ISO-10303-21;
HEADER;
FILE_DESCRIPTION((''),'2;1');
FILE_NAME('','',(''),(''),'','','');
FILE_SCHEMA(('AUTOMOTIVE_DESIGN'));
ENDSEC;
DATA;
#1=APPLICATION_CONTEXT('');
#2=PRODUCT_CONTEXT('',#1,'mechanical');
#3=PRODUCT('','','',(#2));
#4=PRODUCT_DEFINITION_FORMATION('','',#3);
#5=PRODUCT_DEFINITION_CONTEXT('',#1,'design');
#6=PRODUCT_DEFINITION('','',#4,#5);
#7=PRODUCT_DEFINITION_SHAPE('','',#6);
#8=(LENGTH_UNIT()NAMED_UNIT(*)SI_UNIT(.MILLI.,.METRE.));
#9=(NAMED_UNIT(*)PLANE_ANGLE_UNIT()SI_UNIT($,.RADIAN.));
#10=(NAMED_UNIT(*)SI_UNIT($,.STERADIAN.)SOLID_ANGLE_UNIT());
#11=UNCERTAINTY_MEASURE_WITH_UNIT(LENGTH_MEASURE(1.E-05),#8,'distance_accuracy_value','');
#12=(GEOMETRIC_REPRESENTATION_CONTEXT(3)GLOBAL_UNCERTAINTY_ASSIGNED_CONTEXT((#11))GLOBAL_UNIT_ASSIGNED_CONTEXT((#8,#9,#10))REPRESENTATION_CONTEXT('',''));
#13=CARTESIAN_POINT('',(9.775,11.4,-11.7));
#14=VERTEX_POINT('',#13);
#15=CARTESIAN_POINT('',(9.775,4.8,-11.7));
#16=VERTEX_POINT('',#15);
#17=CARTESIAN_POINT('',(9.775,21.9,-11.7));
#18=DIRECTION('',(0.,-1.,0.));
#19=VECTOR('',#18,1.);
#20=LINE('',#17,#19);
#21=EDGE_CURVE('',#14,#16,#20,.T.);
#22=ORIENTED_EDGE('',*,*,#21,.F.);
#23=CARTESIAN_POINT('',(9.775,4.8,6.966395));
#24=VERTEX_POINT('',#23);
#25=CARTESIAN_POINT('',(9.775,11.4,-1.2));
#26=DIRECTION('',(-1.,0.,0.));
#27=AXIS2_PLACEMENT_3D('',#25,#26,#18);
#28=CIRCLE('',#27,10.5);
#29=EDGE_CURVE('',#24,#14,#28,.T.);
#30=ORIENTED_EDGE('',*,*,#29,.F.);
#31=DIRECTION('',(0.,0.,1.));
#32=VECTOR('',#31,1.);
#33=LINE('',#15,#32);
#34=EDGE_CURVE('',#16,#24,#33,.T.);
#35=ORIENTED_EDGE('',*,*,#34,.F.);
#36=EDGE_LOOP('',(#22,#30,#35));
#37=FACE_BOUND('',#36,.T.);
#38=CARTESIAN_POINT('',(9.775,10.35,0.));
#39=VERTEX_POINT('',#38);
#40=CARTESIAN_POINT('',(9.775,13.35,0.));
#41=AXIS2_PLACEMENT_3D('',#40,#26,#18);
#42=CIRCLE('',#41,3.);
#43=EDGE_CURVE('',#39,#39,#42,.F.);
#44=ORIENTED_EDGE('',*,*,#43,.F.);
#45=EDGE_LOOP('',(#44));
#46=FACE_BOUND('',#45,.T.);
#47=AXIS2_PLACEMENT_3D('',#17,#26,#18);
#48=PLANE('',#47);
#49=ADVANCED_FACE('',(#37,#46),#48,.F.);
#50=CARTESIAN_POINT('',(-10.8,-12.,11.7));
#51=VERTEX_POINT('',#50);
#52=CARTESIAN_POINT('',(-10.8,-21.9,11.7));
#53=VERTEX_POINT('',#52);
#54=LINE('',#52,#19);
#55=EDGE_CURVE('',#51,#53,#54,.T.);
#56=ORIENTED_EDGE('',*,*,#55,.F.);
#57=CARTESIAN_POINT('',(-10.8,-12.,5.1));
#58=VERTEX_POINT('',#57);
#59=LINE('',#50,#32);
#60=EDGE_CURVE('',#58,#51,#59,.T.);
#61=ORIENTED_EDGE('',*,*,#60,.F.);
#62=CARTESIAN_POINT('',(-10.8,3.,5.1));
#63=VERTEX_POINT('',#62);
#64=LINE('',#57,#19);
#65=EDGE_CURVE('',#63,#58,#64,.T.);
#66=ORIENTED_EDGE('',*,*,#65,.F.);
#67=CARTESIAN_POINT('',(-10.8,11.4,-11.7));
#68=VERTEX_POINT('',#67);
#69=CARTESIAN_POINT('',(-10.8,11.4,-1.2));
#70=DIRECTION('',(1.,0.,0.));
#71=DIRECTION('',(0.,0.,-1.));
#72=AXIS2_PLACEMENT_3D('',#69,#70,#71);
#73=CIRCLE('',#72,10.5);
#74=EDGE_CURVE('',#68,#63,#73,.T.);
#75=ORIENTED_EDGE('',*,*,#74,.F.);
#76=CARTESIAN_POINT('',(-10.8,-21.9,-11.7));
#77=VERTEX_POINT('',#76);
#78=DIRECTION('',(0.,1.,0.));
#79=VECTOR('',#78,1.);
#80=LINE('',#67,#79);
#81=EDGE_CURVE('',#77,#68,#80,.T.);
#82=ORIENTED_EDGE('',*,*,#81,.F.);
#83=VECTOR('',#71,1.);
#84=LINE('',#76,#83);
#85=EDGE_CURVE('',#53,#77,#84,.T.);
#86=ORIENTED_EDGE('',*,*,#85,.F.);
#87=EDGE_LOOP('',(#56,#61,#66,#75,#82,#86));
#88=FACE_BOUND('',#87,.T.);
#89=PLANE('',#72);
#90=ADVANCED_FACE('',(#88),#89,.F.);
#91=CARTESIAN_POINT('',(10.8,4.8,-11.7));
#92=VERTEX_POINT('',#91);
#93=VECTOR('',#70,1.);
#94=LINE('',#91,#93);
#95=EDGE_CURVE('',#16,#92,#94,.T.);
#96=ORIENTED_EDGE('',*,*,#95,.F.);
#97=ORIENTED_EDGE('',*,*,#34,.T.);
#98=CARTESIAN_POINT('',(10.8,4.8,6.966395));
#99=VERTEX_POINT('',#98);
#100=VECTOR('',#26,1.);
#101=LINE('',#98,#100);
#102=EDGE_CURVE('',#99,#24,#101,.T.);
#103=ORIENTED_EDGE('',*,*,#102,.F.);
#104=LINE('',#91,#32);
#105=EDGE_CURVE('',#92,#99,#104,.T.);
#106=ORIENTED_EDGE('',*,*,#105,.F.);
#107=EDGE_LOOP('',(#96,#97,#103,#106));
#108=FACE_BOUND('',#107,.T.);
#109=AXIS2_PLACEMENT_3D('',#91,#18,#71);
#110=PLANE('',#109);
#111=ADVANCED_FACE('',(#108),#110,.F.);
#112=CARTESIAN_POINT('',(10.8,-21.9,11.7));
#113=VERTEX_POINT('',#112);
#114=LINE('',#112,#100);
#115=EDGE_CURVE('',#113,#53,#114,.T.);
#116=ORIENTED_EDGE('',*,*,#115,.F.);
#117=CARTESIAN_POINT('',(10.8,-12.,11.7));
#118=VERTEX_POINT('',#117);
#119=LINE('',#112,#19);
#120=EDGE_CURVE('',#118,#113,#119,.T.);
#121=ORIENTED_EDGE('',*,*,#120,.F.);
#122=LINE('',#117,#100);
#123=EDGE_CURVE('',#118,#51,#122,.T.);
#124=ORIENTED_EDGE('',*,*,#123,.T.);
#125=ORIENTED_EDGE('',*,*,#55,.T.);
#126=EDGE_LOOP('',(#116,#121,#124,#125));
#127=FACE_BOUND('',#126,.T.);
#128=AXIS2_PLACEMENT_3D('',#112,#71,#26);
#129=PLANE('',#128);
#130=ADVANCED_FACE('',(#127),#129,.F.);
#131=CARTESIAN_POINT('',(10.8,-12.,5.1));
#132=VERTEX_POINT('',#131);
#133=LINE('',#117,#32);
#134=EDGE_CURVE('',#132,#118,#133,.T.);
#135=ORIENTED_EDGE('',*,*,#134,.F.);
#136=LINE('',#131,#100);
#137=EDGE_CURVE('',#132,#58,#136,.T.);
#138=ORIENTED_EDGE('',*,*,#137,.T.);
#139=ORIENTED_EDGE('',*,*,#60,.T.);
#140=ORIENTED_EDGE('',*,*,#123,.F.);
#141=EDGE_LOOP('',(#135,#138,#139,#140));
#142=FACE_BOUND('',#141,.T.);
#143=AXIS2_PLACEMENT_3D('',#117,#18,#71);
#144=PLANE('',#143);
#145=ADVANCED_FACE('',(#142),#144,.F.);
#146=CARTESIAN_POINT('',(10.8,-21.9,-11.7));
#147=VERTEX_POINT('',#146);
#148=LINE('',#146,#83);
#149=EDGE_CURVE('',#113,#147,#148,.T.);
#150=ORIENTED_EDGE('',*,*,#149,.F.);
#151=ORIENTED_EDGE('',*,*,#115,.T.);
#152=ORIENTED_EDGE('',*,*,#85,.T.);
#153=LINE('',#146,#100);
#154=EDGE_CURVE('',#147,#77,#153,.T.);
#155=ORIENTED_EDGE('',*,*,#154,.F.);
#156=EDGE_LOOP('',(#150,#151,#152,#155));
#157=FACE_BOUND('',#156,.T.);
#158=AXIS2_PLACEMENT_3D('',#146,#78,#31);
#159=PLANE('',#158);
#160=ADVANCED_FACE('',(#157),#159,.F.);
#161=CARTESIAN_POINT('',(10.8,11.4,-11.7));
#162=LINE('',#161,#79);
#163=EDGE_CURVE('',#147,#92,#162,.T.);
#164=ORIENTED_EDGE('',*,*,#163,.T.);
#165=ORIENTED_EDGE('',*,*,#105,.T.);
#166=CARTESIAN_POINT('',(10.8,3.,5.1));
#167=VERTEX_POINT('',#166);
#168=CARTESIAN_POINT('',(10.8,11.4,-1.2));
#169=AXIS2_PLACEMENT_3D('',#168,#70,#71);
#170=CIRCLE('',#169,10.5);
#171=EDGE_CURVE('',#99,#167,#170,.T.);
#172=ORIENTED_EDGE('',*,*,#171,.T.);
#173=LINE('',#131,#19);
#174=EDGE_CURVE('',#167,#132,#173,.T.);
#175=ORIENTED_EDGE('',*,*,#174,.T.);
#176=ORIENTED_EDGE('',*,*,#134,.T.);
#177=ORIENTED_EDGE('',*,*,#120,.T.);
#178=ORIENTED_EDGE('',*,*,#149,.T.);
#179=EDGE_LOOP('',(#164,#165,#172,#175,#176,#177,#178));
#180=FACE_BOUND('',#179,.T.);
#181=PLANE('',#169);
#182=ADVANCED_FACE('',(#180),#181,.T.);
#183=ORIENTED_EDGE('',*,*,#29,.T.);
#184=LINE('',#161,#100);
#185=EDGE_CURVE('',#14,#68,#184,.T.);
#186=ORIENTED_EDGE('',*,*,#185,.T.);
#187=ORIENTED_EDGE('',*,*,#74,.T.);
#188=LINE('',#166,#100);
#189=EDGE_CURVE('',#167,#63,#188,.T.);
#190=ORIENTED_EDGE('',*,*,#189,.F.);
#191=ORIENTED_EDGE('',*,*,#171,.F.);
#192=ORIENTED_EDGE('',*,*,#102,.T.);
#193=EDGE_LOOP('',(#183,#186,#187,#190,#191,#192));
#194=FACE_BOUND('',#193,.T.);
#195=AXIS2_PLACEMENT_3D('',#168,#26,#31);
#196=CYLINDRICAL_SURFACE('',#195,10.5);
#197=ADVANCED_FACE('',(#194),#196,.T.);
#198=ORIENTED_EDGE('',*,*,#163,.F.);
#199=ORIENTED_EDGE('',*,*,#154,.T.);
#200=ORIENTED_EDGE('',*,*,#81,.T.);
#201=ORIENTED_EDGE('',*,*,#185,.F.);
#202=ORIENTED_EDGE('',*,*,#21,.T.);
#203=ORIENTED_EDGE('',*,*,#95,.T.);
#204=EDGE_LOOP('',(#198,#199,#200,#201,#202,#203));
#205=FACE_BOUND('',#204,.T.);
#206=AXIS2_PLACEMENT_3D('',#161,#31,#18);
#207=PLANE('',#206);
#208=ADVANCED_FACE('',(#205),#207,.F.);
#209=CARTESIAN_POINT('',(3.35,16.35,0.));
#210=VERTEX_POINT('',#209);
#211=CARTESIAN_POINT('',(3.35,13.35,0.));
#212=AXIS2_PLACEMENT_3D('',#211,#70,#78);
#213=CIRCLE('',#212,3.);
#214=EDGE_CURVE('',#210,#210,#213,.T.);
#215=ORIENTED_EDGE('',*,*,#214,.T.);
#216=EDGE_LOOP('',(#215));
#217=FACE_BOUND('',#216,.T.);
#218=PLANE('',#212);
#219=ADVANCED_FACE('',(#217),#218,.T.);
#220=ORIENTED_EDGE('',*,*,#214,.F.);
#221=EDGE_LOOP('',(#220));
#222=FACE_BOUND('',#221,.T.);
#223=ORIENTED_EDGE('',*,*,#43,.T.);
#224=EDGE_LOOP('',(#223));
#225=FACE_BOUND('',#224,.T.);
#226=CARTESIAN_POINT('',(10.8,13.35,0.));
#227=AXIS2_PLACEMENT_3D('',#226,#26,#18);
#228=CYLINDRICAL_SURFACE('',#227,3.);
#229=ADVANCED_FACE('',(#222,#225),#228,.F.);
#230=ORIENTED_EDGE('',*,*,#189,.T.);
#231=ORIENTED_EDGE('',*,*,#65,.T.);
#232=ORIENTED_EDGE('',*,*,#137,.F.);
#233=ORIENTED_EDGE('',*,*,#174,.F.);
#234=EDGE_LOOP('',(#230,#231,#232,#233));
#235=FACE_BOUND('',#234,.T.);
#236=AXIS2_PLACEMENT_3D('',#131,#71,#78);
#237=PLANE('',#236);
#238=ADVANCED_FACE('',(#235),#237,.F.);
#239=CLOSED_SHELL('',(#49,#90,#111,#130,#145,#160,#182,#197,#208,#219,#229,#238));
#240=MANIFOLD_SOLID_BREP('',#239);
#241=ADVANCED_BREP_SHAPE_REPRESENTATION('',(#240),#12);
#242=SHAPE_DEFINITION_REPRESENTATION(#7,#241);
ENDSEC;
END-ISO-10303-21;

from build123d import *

# Parameters (mm, degrees)
SALIENTE_EXTRUIR1_DEPTH    = 10.8
CORTAR_EXTRUIR1_DEPTH      = 28.076558127
CORTAR_EXTRUIR1_DEPTH_BACK = 28.076558127
CROQUIS4_W                 = 1.025
CROQUIS4_H                 = 17.1
CORTAR_EXTRUIR2_DEPTH      = 33.246404838
CORTAR_EXTRUIR2_DEPTH_BACK = 6.425
CROQUIS5_R                 = 3


with BuildPart() as part:
    # Croquis3 → Saliente-Extruir1 (new, symmetric)
    with BuildSketch(Plane(origin=(0, 0, 0), x_dir=(0, 0, -1), z_dir=(1, 0, 0))):
        with BuildLine():
            Line((11.7, 11.4), (11.7, -21.9))
            Line((11.7, -21.9), (-11.7, -21.9))
            Line((-11.7, -21.9), (-11.7, -12))
            Line((-11.7, -12), (-5.1, -12))
            Line((-5.1, -12), (-5.1, 3))
            ThreePointArc((-5.1, 3), (-3.495742753, 20.791485505), (11.7, 11.4))
        make_face()
    extrude(amount=SALIENTE_EXTRUIR1_DEPTH, both=True)

    # Croquis4 → Cortar-Extruir1 (cut, two sides: drawn at the far end of the back side and taken through both)
    with BuildSketch(Plane.XY.offset(-CORTAR_EXTRUIR1_DEPTH_BACK)):
        with Locations((10.2875, 13.35)):
            Rectangle(CROQUIS4_W, CROQUIS4_H)
    extrude(amount=CORTAR_EXTRUIR1_DEPTH + CORTAR_EXTRUIR1_DEPTH_BACK, mode=Mode.SUBTRACT)

    # Croquis5 → Cortar-Extruir2 (cut, two sides: drawn at the far end of the back side and taken through both)
    with BuildSketch(Plane(origin=(9.775, 0, 0), x_dir=(0, 0, -1), z_dir=(1, 0, 0)).offset(-CORTAR_EXTRUIR2_DEPTH_BACK)):
        with Locations(Location((0, 13.35, 0), (0, 0, 270))):
            Circle(CROQUIS5_R)
    extrude(amount=CORTAR_EXTRUIR2_DEPTH + CORTAR_EXTRUIR2_DEPTH_BACK, mode=Mode.SUBTRACT)


solid = part.part
